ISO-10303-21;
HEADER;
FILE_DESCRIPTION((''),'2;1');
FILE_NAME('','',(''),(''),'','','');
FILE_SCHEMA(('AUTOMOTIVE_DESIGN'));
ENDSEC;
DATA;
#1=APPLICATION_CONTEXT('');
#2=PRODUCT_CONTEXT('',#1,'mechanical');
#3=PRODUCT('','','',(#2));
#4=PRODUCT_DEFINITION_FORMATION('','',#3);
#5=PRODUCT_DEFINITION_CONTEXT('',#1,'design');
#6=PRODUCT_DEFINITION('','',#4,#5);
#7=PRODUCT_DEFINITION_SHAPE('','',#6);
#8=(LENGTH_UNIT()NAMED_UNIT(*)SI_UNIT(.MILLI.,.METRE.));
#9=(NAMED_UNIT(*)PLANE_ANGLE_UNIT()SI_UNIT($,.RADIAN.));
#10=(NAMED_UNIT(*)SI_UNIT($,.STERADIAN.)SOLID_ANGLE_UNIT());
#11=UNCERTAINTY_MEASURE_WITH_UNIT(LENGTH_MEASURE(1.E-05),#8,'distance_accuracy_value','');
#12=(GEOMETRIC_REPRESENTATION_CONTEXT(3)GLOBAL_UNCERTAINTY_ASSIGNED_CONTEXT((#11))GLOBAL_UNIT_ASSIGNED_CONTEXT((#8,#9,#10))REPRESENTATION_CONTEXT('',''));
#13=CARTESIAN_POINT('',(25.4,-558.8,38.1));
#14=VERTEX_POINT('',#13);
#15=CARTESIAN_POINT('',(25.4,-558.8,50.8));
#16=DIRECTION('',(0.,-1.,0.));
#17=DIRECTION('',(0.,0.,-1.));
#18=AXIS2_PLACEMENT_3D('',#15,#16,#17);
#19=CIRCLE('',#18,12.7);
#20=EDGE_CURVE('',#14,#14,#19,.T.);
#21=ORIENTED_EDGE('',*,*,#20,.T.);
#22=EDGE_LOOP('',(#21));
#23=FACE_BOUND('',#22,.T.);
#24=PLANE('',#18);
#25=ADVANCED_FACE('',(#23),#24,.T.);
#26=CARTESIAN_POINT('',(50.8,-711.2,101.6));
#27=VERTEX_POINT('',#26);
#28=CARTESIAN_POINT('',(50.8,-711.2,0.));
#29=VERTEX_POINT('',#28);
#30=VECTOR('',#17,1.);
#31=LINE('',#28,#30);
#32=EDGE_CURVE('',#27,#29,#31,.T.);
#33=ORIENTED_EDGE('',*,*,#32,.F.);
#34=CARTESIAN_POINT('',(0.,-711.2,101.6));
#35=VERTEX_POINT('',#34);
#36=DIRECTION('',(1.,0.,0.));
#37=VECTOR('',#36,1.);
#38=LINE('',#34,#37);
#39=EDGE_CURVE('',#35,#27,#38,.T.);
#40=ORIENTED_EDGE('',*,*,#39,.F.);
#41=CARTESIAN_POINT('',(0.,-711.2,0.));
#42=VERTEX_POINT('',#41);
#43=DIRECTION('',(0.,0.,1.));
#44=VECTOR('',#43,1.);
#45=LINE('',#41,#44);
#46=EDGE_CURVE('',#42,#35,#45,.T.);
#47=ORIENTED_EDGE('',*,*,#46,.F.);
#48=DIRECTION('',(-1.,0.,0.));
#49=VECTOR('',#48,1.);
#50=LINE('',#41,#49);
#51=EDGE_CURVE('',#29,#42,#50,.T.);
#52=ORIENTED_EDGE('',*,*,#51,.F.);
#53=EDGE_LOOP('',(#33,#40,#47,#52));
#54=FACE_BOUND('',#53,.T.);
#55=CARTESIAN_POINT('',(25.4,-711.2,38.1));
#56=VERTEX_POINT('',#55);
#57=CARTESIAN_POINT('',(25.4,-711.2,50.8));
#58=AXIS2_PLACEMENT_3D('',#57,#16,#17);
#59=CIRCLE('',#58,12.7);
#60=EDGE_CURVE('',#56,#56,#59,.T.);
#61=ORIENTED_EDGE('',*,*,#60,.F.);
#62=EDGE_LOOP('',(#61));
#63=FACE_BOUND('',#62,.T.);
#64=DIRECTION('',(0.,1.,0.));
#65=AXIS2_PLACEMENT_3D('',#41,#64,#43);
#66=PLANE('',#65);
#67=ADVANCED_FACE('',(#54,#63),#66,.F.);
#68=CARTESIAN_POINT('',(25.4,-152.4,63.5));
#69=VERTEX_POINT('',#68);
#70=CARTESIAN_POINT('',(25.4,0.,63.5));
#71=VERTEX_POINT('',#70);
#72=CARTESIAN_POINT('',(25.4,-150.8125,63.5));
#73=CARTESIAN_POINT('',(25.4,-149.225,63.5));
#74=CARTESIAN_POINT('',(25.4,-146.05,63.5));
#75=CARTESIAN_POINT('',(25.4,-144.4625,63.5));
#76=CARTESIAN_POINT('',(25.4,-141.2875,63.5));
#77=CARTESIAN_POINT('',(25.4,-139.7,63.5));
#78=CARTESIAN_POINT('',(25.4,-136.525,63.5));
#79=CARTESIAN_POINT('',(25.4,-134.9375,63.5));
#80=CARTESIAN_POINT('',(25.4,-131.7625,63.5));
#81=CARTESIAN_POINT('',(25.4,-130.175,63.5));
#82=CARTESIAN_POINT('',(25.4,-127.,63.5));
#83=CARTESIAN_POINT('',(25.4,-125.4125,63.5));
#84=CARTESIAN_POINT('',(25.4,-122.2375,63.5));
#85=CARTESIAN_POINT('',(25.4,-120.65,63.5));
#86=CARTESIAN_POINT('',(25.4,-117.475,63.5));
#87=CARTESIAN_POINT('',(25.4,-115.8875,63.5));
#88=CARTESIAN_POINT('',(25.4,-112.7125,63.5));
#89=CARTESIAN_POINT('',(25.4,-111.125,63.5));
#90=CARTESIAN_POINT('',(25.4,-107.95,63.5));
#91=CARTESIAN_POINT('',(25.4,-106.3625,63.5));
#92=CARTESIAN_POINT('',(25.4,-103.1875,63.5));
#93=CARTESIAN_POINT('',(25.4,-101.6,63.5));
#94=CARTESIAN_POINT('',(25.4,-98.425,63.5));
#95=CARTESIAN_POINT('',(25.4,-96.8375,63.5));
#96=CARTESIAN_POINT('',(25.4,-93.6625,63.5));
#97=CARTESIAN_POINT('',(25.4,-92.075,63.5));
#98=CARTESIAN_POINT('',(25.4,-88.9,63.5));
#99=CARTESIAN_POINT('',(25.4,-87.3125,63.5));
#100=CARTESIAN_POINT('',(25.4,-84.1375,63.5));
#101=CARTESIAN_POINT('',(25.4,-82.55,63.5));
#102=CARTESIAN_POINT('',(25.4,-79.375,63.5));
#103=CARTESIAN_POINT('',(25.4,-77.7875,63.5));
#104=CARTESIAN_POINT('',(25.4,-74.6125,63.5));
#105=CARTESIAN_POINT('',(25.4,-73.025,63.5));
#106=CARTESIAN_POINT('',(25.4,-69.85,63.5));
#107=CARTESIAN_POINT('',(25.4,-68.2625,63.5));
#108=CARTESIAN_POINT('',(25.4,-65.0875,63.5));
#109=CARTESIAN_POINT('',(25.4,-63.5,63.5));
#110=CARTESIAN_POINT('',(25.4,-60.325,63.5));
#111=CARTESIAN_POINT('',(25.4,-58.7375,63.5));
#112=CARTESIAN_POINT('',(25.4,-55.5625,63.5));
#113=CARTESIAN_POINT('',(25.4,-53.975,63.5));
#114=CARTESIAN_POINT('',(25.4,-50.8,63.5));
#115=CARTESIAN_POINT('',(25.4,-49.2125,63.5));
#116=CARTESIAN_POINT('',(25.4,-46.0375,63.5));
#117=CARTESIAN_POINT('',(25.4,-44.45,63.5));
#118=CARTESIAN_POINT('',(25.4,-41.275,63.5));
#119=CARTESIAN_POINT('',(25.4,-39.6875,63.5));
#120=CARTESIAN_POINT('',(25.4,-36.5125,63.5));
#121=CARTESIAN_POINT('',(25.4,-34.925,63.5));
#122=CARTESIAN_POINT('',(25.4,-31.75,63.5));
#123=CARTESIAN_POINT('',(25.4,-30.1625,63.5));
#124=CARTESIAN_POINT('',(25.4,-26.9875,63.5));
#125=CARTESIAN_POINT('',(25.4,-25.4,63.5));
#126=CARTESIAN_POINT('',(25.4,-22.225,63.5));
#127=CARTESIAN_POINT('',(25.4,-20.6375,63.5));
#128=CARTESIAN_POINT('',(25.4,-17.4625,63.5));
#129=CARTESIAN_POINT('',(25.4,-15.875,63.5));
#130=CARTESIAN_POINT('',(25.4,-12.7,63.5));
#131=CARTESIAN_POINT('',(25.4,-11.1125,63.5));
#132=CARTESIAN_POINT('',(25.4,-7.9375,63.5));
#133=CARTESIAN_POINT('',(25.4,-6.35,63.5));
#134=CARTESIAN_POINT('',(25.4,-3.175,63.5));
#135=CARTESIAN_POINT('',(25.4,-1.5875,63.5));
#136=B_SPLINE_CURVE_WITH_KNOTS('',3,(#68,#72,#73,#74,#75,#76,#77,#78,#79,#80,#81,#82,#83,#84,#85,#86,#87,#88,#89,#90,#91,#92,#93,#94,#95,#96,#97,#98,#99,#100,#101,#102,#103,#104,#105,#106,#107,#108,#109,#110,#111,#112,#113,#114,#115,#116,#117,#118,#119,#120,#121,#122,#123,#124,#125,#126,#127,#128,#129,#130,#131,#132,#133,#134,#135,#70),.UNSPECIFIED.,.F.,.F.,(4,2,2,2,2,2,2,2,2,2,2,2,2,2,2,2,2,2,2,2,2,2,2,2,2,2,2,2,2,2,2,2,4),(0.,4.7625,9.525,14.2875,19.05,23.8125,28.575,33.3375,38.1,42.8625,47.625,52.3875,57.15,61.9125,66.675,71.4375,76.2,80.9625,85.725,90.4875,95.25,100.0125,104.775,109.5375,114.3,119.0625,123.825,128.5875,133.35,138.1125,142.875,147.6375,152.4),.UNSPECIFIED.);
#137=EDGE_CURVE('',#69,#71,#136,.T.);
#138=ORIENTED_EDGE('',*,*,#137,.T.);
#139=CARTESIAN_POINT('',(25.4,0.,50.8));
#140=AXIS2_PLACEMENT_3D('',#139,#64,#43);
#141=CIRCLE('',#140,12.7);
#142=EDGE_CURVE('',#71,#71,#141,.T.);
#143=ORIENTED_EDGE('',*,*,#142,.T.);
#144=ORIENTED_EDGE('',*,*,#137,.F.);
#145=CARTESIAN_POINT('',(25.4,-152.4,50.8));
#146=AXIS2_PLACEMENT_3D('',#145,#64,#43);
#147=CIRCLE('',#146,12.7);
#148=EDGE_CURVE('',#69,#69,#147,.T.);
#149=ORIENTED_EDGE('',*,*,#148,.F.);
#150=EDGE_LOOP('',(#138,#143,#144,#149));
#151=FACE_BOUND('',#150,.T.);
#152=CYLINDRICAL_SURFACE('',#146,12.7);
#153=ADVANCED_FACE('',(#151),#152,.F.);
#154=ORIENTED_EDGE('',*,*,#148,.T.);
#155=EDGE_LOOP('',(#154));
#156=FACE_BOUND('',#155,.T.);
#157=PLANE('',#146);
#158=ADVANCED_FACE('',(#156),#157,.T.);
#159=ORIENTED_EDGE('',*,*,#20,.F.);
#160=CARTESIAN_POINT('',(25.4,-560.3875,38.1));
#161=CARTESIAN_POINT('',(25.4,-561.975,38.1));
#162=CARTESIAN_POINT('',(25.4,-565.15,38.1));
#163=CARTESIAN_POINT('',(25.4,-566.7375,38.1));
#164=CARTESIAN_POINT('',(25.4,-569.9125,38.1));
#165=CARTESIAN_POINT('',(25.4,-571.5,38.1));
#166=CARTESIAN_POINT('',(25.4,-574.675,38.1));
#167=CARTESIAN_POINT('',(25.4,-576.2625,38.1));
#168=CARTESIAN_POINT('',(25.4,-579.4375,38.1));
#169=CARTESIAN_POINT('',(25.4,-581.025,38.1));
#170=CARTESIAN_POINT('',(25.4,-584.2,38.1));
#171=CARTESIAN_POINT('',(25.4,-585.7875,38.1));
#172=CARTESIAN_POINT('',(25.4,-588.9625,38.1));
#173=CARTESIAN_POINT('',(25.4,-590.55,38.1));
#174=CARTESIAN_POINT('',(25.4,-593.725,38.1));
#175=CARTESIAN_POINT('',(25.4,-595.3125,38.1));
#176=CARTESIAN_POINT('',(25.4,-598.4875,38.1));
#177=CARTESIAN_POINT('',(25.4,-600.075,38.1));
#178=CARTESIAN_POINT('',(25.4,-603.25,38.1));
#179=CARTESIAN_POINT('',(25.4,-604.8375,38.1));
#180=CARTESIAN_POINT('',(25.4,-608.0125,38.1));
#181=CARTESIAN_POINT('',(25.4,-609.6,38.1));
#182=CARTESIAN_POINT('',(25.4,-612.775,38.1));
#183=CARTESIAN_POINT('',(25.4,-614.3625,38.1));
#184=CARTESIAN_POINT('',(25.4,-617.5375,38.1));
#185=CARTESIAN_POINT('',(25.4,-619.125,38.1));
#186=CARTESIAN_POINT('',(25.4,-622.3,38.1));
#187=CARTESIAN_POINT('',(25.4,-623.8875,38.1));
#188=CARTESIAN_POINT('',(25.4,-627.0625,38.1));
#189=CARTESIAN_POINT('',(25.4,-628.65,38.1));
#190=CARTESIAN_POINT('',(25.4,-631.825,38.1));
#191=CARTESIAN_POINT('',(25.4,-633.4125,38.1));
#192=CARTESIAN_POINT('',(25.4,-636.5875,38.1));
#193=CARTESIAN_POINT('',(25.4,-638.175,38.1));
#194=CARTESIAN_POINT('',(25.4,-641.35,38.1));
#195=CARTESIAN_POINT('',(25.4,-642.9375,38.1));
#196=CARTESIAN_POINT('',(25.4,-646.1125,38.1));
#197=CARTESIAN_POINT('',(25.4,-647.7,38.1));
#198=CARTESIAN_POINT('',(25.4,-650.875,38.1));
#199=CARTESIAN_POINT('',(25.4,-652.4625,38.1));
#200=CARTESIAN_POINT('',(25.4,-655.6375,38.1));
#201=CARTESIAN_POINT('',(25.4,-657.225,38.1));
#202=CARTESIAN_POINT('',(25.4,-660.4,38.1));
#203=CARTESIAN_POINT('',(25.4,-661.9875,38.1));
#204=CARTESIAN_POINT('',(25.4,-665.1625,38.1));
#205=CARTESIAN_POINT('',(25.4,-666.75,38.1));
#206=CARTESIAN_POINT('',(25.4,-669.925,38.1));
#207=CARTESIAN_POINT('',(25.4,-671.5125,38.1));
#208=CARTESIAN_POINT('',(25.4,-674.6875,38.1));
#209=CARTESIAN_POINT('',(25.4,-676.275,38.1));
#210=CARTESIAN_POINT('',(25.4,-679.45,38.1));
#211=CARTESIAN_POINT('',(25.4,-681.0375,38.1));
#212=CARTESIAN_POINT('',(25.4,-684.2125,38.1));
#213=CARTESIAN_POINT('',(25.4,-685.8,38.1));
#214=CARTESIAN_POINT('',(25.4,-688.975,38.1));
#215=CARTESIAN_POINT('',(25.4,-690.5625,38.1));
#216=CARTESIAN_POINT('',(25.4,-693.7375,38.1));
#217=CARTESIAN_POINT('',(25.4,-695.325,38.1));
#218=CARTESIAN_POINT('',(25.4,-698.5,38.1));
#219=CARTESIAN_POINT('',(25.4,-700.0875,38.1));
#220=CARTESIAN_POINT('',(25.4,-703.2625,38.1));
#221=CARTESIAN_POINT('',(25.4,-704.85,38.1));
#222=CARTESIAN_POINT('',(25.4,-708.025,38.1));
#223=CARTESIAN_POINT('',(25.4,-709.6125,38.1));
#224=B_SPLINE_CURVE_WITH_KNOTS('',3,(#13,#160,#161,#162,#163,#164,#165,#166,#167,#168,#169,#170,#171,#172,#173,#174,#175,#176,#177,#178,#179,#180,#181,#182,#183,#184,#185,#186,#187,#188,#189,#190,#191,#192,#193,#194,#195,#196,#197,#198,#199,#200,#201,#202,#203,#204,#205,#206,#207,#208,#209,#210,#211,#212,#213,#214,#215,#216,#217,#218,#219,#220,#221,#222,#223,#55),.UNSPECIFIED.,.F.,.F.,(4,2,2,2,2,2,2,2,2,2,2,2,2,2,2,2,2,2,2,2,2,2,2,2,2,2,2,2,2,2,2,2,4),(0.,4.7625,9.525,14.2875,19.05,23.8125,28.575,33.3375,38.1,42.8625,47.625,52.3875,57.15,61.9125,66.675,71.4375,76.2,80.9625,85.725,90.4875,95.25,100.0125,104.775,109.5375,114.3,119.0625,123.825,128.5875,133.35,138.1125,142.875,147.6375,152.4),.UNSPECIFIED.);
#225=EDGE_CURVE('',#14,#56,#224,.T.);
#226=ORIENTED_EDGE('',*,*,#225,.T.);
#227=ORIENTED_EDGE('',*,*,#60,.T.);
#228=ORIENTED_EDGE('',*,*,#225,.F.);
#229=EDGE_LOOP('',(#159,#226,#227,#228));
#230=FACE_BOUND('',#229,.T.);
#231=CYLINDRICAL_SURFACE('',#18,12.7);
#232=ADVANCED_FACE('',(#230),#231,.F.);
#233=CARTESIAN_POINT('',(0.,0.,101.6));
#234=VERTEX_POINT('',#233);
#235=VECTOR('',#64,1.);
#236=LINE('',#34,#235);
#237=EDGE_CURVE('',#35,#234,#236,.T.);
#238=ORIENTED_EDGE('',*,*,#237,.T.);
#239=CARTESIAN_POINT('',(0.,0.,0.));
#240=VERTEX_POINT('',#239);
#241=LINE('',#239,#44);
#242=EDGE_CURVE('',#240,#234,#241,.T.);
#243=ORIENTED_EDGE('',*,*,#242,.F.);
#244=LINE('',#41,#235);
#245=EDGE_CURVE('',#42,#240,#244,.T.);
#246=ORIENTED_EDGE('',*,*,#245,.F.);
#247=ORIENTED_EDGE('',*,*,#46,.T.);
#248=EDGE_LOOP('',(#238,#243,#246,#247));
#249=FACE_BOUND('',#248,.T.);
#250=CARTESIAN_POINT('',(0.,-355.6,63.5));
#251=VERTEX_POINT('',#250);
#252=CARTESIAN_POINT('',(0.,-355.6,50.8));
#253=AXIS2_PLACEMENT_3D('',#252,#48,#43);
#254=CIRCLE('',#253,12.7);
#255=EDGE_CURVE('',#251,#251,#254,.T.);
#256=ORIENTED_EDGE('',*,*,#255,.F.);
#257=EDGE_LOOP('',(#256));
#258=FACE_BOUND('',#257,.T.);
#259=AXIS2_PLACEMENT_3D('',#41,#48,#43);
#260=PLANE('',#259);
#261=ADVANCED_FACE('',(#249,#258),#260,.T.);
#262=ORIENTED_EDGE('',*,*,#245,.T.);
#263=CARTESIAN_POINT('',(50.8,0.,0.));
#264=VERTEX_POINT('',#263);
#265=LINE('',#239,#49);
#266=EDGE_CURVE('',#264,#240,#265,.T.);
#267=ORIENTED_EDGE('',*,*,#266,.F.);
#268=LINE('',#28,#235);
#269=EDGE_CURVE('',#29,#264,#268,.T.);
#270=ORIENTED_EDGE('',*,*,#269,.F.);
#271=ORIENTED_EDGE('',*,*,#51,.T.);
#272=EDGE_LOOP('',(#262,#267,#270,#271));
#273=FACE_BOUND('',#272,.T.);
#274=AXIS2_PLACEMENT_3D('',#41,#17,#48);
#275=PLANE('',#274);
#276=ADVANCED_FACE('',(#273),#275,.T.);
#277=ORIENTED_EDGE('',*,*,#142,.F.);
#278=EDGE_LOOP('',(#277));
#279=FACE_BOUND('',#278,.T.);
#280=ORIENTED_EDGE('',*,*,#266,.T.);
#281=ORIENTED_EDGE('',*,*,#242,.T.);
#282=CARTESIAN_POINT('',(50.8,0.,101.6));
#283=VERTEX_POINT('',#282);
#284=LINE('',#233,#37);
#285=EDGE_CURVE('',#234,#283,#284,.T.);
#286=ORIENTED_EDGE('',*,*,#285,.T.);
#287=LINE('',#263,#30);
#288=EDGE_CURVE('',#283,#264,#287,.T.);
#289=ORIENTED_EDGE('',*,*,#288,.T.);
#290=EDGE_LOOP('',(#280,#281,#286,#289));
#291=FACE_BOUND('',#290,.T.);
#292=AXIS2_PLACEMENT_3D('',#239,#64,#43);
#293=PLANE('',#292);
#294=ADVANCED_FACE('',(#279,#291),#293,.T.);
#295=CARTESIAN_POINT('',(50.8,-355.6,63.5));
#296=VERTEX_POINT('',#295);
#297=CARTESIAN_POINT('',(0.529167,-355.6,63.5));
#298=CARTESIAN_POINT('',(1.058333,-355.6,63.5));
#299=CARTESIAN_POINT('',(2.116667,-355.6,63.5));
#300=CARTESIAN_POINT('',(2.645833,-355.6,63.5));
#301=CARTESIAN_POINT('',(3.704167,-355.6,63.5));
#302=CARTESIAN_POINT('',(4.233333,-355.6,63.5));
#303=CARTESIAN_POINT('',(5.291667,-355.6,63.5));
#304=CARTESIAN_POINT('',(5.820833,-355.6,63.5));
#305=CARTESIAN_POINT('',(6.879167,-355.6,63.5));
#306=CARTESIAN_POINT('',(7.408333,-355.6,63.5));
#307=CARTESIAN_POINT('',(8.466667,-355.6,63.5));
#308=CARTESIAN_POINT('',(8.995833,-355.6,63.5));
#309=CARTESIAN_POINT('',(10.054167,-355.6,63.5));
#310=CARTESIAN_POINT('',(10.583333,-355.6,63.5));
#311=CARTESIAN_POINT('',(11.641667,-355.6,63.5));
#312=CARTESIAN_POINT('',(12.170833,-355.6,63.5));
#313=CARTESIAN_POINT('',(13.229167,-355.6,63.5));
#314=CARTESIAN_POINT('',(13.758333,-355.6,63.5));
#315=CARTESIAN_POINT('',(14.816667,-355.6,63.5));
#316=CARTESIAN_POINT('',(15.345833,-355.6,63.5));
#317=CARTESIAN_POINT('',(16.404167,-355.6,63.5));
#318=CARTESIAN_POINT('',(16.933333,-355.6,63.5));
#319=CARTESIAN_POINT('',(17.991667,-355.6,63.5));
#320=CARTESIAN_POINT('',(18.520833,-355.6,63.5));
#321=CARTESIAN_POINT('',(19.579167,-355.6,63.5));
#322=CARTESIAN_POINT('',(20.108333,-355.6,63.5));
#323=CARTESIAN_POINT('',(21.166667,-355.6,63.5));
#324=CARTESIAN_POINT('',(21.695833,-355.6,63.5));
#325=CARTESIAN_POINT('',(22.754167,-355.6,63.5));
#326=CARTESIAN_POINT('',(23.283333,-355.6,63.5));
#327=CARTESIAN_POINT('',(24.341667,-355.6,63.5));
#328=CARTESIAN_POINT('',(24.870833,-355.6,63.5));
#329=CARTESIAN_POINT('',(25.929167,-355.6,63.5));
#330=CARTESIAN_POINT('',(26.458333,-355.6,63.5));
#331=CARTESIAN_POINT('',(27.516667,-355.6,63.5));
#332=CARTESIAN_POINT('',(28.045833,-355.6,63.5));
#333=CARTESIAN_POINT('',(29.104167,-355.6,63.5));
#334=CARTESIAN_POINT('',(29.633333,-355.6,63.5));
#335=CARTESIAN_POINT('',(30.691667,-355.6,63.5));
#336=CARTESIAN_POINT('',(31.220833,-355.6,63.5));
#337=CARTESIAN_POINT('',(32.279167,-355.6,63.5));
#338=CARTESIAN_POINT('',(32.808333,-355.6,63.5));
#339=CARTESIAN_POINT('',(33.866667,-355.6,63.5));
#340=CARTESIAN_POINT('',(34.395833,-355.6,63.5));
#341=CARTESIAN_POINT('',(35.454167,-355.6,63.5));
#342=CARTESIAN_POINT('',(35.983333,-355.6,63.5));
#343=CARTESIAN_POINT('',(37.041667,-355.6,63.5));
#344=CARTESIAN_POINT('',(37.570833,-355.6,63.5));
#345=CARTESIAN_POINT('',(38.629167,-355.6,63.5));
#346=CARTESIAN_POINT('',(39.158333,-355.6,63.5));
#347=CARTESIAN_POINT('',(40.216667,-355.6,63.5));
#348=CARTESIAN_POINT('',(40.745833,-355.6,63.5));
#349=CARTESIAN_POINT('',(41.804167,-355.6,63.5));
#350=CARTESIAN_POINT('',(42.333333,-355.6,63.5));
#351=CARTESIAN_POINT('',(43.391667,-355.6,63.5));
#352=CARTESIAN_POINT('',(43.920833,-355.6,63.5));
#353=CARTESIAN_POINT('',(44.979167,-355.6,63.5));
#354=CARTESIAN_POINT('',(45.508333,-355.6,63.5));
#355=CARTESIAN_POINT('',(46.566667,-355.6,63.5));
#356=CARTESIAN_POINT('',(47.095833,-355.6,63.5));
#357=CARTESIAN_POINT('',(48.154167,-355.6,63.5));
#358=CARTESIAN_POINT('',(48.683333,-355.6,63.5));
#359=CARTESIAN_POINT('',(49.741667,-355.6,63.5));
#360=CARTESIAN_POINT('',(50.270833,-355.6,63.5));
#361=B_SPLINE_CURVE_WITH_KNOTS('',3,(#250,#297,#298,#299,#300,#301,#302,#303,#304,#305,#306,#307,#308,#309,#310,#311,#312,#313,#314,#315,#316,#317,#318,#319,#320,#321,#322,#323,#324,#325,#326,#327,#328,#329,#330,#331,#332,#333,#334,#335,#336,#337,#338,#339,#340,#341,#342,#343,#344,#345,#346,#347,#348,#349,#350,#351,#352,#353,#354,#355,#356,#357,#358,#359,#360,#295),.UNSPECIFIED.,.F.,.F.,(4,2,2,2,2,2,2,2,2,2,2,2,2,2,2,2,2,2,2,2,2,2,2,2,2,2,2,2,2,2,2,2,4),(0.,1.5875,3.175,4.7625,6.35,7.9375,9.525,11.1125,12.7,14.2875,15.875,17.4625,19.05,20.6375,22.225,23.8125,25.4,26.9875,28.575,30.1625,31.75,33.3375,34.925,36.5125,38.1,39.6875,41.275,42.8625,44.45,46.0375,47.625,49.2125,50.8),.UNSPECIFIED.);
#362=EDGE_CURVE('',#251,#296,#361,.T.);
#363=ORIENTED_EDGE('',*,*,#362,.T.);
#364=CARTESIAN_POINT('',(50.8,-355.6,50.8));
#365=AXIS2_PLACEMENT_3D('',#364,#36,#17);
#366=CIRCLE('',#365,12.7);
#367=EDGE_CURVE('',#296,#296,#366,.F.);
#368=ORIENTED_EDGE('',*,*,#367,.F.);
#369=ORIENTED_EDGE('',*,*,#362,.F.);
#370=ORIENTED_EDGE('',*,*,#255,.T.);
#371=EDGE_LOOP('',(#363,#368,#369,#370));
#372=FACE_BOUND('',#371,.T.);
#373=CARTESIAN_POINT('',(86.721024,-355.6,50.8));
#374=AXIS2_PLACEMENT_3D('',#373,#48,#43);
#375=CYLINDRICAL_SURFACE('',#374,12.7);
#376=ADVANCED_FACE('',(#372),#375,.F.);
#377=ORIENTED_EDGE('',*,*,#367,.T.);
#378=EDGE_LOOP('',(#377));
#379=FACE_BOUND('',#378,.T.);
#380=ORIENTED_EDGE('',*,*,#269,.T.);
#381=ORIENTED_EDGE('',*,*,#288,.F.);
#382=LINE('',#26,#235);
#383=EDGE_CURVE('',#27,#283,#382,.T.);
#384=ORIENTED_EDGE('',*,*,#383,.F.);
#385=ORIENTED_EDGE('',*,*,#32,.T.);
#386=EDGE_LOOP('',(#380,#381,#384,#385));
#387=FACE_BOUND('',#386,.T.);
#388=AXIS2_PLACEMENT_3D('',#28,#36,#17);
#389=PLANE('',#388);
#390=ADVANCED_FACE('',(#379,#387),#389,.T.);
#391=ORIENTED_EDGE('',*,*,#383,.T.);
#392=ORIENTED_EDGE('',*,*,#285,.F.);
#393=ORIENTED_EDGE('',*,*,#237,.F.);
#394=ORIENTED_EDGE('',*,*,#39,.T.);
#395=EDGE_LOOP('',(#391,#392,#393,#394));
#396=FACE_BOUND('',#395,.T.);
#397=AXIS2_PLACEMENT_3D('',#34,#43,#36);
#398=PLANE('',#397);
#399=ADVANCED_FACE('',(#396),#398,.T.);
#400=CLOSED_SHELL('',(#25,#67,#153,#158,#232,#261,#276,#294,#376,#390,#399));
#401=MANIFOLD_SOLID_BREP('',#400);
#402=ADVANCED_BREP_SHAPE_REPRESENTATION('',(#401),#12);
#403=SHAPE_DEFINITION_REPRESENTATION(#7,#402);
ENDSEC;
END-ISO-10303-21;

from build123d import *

# Parameters (mm, degrees)
SKETCH1_W           = 50.8
SKETCH1_H           = 101.6
BOSS_EXTRUDE1_DEPTH = 711.2
SKETCH2_R           = 12.7
CUT_EXTRUDE1_DEPTH  = 50.8
SKETCH3_R           = 12.7
CUT_EXTRUDE2_DEPTH  = 152.4
CUT_EXTRUDE3_START  = -152.4
SKETCH4_R           = 12.7
CUT_EXTRUDE3_DEPTH  = 152.4


with BuildPart() as part:
    # Sketch1 → Boss-Extrude1 (new body)
    with BuildSketch(Plane(origin=(0, 0, 0), x_dir=(1, 0, 0), z_dir=(0, 1, 0))):
        with Locations((25.4, -50.8)):
            Rectangle(SKETCH1_W, SKETCH1_H)
    extrude(amount=-BOSS_EXTRUDE1_DEPTH)

    # Sketch2 → Cut-Extrude1 (cut)
    with BuildSketch(Plane.ZY):
        with Locations((50.8, -355.6)):
            Circle(SKETCH2_R)
    extrude(amount=-CUT_EXTRUDE1_DEPTH, mode=Mode.SUBTRACT)

    # Sketch3 → Cut-Extrude2 (cut)
    with BuildSketch(Plane(origin=(0, 0, 0), x_dir=(1, 0, 0), z_dir=(0, 1, 0))):
        with Locations(Location((25.4, -50.8, 0), (0, 0, 270))):
            Circle(SKETCH3_R)
    extrude(amount=-CUT_EXTRUDE2_DEPTH, mode=Mode.SUBTRACT)

    # Sketch4 → Cut-Extrude3 (cut)
    with BuildSketch(Plane.XZ.offset(711.2).offset(CUT_EXTRUDE3_START)):
        with Locations(Location((25.4, 50.8, 0), (0, 0, 90))):
            Circle(SKETCH4_R)
    extrude(amount=CUT_EXTRUDE3_DEPTH, mode=Mode.SUBTRACT)


solid = part.part
